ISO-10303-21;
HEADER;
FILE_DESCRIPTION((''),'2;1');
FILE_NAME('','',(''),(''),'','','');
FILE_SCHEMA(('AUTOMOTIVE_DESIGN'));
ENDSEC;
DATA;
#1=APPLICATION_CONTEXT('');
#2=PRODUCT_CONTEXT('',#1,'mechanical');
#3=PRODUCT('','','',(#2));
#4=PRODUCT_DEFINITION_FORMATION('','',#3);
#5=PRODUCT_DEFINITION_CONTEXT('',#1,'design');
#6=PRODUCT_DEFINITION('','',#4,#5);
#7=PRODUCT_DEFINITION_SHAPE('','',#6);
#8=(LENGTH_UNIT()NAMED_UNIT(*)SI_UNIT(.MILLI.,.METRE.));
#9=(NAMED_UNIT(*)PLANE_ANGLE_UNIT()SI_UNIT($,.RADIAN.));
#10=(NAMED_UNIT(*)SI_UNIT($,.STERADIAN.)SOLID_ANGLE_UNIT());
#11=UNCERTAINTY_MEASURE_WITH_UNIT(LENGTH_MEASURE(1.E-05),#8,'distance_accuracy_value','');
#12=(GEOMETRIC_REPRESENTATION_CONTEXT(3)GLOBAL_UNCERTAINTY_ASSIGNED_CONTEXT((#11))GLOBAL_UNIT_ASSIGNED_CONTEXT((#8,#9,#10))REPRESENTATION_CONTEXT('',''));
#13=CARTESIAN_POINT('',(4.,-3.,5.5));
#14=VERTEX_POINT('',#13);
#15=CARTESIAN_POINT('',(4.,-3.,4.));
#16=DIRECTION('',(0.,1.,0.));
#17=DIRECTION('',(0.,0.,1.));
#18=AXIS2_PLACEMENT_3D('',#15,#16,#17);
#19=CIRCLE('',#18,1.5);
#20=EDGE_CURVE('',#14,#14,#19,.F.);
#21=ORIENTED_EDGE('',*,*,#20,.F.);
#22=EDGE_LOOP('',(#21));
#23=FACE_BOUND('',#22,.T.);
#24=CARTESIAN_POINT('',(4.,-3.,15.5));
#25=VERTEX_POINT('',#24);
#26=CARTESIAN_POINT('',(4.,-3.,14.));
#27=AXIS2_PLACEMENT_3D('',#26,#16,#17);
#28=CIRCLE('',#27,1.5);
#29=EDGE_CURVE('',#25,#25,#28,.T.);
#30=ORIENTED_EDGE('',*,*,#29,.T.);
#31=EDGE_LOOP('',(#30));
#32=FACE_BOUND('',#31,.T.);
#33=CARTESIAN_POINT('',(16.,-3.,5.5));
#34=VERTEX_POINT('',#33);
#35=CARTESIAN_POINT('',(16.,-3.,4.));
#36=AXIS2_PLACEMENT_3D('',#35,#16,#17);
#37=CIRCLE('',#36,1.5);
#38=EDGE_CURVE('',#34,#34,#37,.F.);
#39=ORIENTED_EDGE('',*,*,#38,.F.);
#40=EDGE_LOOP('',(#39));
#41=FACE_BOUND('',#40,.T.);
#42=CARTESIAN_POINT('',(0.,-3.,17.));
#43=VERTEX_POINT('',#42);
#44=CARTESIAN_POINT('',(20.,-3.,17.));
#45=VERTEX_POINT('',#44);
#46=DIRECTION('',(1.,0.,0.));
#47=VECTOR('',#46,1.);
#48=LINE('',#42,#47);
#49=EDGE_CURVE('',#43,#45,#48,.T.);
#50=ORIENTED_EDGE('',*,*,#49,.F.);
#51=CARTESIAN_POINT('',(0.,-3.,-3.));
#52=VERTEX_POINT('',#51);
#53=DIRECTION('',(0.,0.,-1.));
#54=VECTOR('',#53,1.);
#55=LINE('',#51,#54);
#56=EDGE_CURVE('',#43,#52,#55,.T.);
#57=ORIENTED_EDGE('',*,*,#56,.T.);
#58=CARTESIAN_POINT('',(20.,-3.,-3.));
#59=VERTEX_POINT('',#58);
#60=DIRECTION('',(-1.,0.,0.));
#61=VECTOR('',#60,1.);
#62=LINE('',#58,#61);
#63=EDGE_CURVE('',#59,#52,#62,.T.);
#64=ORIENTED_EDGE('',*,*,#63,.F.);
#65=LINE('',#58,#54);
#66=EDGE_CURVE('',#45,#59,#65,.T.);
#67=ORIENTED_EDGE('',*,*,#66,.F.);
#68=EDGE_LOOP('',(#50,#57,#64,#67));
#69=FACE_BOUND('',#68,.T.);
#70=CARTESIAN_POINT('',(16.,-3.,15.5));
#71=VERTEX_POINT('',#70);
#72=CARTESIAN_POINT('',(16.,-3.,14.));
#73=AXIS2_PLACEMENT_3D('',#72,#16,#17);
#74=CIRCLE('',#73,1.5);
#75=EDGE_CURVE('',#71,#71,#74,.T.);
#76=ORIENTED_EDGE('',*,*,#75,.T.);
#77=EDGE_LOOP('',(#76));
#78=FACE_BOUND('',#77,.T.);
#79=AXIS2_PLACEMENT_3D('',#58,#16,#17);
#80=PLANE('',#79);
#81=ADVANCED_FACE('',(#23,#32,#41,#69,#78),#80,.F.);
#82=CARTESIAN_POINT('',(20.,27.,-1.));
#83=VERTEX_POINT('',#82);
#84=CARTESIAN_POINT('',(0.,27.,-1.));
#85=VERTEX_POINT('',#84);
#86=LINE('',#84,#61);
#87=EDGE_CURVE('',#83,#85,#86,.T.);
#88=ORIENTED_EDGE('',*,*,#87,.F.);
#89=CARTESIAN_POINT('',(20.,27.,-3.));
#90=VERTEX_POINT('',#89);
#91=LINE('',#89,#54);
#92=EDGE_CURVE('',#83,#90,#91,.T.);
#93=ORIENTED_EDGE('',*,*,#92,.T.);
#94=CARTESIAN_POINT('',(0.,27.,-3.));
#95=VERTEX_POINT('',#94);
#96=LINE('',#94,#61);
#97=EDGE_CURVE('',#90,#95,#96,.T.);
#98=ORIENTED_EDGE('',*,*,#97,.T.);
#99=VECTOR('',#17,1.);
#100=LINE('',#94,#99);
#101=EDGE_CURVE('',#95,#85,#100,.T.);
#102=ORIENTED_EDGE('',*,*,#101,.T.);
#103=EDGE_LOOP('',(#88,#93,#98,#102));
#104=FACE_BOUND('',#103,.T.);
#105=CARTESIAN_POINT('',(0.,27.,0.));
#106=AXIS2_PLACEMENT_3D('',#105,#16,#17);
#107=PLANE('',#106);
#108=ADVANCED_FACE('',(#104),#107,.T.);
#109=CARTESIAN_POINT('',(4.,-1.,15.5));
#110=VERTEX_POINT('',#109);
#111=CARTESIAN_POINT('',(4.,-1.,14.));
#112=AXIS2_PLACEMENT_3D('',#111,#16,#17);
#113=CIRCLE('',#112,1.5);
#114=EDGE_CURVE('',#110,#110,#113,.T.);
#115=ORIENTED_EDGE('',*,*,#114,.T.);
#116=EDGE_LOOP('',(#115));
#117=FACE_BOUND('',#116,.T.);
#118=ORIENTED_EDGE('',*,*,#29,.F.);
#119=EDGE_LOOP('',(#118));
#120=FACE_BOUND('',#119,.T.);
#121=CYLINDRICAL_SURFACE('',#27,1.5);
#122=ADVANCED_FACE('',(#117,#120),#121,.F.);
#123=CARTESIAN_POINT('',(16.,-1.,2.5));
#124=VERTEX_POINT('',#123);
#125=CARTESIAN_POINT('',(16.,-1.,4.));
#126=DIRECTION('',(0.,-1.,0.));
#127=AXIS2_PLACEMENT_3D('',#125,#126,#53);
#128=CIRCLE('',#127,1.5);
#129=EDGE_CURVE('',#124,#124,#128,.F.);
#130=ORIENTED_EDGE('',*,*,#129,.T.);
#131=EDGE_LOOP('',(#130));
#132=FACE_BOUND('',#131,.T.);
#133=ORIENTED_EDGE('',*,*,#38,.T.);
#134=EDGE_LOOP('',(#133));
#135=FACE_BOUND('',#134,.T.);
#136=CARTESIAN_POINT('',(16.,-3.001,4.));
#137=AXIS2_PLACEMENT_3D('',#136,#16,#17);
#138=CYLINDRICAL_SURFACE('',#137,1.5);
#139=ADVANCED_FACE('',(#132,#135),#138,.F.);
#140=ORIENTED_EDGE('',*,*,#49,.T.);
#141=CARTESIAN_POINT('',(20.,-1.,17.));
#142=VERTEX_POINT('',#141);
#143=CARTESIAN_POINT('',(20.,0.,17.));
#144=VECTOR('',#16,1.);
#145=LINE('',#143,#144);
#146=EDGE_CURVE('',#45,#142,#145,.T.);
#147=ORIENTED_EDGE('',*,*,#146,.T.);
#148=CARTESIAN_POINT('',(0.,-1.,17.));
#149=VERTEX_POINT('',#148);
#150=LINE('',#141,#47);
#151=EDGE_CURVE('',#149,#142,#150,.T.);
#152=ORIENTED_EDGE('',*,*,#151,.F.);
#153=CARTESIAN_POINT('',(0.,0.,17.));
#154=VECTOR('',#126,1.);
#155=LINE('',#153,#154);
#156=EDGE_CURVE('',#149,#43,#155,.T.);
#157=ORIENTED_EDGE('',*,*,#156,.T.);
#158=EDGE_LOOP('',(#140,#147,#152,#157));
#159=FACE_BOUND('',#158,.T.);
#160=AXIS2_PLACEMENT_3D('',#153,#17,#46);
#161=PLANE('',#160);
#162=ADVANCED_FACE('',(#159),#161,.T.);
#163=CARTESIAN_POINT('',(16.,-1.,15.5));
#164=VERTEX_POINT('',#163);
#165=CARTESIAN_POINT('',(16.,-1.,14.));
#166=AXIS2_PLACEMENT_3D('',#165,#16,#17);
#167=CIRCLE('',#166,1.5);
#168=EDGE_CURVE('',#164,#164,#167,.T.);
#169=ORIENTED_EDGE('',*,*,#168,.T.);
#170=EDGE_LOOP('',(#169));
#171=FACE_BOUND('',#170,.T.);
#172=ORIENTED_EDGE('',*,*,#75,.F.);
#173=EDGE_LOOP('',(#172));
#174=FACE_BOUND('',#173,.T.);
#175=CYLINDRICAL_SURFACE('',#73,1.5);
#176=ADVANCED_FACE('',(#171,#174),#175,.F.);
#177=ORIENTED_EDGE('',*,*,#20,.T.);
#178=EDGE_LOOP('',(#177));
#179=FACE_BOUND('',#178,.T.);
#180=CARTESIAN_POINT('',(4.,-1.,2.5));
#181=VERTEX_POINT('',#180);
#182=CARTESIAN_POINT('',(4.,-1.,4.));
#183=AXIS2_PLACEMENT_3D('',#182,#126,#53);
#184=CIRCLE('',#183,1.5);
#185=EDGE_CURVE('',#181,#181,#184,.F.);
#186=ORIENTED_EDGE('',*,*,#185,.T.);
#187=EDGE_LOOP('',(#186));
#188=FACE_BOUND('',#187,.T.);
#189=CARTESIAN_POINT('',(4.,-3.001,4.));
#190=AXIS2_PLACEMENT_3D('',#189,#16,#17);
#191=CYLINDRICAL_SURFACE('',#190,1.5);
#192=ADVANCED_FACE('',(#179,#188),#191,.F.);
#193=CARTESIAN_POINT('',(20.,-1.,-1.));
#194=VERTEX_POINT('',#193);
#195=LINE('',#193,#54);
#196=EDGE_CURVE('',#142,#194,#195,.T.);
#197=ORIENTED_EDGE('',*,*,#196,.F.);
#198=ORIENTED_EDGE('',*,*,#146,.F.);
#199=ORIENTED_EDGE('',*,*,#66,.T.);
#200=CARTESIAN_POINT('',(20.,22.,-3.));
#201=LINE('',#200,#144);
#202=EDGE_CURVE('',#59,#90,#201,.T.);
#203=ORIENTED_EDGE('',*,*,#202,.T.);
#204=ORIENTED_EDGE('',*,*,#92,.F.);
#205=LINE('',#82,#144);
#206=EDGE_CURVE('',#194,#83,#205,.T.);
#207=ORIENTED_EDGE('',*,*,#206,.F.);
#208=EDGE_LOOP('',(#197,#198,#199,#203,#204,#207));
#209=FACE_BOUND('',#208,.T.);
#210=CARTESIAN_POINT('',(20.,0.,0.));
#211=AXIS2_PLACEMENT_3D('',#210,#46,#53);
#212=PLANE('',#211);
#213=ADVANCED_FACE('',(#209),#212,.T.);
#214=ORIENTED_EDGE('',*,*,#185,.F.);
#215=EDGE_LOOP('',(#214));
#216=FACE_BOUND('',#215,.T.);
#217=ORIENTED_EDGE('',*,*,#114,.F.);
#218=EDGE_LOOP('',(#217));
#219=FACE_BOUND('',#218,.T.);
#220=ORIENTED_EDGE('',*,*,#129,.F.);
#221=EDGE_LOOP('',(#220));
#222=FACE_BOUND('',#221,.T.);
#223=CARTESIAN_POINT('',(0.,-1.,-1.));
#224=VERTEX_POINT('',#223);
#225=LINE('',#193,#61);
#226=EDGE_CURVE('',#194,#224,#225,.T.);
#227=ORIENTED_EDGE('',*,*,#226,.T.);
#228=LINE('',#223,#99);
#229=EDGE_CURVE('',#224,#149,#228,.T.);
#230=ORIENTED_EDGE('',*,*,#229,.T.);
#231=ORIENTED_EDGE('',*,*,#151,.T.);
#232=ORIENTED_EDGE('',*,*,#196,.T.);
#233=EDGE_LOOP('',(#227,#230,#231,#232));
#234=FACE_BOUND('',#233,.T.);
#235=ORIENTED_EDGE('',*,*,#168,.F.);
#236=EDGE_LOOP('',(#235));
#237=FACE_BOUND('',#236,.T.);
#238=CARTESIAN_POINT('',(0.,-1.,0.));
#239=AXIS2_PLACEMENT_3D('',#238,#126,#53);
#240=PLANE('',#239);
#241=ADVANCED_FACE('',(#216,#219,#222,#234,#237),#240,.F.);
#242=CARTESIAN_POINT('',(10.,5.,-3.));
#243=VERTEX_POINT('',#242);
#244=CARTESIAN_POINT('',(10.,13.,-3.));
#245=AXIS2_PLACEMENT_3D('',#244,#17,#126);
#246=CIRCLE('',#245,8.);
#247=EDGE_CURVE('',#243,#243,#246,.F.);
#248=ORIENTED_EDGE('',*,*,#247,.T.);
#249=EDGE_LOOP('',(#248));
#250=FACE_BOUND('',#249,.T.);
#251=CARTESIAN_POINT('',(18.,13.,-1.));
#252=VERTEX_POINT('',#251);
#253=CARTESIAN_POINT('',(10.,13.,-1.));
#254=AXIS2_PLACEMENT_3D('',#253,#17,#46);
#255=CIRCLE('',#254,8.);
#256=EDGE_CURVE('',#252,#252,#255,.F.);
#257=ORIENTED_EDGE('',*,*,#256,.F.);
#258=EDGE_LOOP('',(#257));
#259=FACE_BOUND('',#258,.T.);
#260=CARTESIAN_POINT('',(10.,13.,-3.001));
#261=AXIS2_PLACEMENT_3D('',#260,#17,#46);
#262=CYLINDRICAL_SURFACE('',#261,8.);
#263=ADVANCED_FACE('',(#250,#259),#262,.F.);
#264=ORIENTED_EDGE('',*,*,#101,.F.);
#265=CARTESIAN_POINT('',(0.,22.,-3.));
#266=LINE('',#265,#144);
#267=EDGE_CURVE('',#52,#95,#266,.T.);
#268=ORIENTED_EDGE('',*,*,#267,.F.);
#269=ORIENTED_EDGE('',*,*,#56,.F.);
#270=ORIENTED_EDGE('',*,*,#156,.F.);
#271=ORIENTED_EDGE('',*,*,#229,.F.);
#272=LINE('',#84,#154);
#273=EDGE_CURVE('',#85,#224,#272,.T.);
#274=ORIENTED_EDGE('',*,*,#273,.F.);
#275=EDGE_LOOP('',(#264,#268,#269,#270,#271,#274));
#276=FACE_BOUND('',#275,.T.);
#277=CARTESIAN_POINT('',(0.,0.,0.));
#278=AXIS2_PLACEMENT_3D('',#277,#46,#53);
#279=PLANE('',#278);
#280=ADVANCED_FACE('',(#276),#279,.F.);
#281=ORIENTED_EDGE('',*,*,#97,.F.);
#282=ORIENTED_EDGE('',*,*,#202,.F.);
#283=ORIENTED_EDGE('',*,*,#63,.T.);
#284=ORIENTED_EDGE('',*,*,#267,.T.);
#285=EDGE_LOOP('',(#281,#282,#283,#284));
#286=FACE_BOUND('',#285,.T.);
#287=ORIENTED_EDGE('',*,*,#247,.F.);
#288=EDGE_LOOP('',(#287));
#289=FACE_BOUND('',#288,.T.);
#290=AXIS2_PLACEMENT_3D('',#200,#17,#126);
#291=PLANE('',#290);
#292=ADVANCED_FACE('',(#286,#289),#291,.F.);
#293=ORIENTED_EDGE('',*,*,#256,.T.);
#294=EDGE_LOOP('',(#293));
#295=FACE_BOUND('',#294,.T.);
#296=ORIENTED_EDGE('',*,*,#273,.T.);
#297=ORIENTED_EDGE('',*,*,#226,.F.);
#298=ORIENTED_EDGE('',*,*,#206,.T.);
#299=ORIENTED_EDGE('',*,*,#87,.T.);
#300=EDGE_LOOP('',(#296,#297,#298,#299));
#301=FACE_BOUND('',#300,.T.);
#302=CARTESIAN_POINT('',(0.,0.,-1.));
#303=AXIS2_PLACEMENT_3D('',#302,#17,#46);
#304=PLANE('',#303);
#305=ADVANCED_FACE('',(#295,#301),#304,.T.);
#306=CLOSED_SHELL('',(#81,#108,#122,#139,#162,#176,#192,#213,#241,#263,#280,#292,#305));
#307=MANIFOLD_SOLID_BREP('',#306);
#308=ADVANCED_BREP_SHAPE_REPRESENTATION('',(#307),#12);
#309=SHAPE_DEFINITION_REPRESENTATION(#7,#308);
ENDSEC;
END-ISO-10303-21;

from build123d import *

# Parameters (mm, degrees)
EXTRUDE_1_DEPTH     = 20
CUT_EXTRUDE_1_REACH = 5
SKETCH_2_R          = 8
CUT_EXTRUDE_2_REACH = 5
SKETCH_3_R          = 1.5
SKETCH_6_W          = 20
SKETCH_6_H          = 3
EXTRUDE_2_DEPTH     = 5
SKETCH_8_W          = 20
SKETCH_8_H          = 27
CUT_EXTRUDE_5_DEPTH = 1
SKETCH_10_W         = 20
SKETCH_10_H         = 3
CUT_EXTRUDE_7_DEPTH = 18
SKETCH_11_W         = 20
SKETCH_11_H         = 18
CUT_EXTRUDE_8_DEPTH = 1
SKETCH_12_R         = 1.5
CUT_EXTRUDE_9_DEPTH = 2


with BuildPart() as part:
    # 草图1 → 凸台-拉伸1 (new body)
    with BuildSketch(Plane(origin=(0, 0, 0), x_dir=(0, 0, -1), z_dir=(1, 0, 0))):
        Polygon((0, 0), (0, 22), (3, 22), (3, -3), (-35, -3), (-35, 0), align=None)
    extrude(amount=EXTRUDE_1_DEPTH)

    # 草图2 → 切除-拉伸1 (cut, up to next)
    with BuildSketch(Plane.XY, mode=Mode.PRIVATE) as cut_extrude_1_sk1:
        with Locations((10, 13)):
            Circle(SKETCH_2_R)
    cut_extrude_1_tool1 = extrude(cut_extrude_1_sk1.sketch, amount=-CUT_EXTRUDE_1_REACH, mode=Mode.PRIVATE) & part.part
    add(cut_extrude_1_tool1.solids().sort_by_distance((10, 13, 0))[0], mode=Mode.SUBTRACT)

    # 草图3 → 切除-拉伸2 (cut, up to next)
    with BuildSketch(Plane(origin=(0, 0, 0), x_dir=(1, 0, 0), z_dir=(0, 1, 0)), mode=Mode.PRIVATE) as cut_extrude_2_sk1:
        with Locations((4, -4)):
            Circle(SKETCH_3_R)
    cut_extrude_2_tool1 = extrude(cut_extrude_2_sk1.sketch, amount=-CUT_EXTRUDE_2_REACH, mode=Mode.PRIVATE) & part.part
    add(cut_extrude_2_tool1.solids().sort_by_distance((4, 0, 4))[0], mode=Mode.SUBTRACT)
    # 草图3 → 切除-拉伸2 (cut, up to next)
    with BuildSketch(Plane(origin=(0, 0, 0), x_dir=(1, 0, 0), z_dir=(0, 1, 0)), mode=Mode.PRIVATE) as cut_extrude_2_sk2:
        with Locations((16, -4)):
            Circle(SKETCH_3_R)
    cut_extrude_2_tool2 = extrude(cut_extrude_2_sk2.sketch, amount=-CUT_EXTRUDE_2_REACH, mode=Mode.PRIVATE) & part.part
    add(cut_extrude_2_tool2.solids().sort_by_distance((16, 0, 4))[0], mode=Mode.SUBTRACT)

    # 草图6 → 凸台-拉伸2 (add)
    with BuildSketch(Plane(origin=(0, 22, 0), x_dir=(1, 0, 0), z_dir=(0, 1, 0))):
        with Locations((10, 1.5)):
            Rectangle(SKETCH_6_W, SKETCH_6_H)
    extrude(amount=EXTRUDE_2_DEPTH)

    # 草图8 → 切除-拉伸5 (cut)
    with BuildSketch(Plane.XY):
        with Locations((10, 13.5)):
            Rectangle(SKETCH_8_W, SKETCH_8_H)
    extrude(amount=-CUT_EXTRUDE_5_DEPTH, mode=Mode.SUBTRACT)

    # 草图10 → 切除-拉伸7 (cut)
    with BuildSketch(Plane.XY.offset(35)):
        with Locations((10, -1.5)):
            Rectangle(SKETCH_10_W, SKETCH_10_H)
    extrude(amount=-CUT_EXTRUDE_7_DEPTH, mode=Mode.SUBTRACT)

    # 草图11 → 切除-拉伸8 (cut)
    with BuildSketch(Plane(origin=(0, 0, 0), x_dir=(1, 0, 0), z_dir=(0, 1, 0))):
        with Locations((10, -8)):
            Rectangle(SKETCH_11_W, SKETCH_11_H)
    extrude(amount=-CUT_EXTRUDE_8_DEPTH, mode=Mode.SUBTRACT)

    # 草图12 → 切除-拉伸9 (cut)
    with BuildSketch(Plane(origin=(0, -1, 0), x_dir=(1, 0, 0), z_dir=(0, 1, 0))):
        with Locations((4, -14)):
            Circle(SKETCH_12_R)
        with Locations((16, -14)):
            Circle(SKETCH_12_R)
    extrude(amount=-CUT_EXTRUDE_9_DEPTH, mode=Mode.SUBTRACT)


solid = part.part
